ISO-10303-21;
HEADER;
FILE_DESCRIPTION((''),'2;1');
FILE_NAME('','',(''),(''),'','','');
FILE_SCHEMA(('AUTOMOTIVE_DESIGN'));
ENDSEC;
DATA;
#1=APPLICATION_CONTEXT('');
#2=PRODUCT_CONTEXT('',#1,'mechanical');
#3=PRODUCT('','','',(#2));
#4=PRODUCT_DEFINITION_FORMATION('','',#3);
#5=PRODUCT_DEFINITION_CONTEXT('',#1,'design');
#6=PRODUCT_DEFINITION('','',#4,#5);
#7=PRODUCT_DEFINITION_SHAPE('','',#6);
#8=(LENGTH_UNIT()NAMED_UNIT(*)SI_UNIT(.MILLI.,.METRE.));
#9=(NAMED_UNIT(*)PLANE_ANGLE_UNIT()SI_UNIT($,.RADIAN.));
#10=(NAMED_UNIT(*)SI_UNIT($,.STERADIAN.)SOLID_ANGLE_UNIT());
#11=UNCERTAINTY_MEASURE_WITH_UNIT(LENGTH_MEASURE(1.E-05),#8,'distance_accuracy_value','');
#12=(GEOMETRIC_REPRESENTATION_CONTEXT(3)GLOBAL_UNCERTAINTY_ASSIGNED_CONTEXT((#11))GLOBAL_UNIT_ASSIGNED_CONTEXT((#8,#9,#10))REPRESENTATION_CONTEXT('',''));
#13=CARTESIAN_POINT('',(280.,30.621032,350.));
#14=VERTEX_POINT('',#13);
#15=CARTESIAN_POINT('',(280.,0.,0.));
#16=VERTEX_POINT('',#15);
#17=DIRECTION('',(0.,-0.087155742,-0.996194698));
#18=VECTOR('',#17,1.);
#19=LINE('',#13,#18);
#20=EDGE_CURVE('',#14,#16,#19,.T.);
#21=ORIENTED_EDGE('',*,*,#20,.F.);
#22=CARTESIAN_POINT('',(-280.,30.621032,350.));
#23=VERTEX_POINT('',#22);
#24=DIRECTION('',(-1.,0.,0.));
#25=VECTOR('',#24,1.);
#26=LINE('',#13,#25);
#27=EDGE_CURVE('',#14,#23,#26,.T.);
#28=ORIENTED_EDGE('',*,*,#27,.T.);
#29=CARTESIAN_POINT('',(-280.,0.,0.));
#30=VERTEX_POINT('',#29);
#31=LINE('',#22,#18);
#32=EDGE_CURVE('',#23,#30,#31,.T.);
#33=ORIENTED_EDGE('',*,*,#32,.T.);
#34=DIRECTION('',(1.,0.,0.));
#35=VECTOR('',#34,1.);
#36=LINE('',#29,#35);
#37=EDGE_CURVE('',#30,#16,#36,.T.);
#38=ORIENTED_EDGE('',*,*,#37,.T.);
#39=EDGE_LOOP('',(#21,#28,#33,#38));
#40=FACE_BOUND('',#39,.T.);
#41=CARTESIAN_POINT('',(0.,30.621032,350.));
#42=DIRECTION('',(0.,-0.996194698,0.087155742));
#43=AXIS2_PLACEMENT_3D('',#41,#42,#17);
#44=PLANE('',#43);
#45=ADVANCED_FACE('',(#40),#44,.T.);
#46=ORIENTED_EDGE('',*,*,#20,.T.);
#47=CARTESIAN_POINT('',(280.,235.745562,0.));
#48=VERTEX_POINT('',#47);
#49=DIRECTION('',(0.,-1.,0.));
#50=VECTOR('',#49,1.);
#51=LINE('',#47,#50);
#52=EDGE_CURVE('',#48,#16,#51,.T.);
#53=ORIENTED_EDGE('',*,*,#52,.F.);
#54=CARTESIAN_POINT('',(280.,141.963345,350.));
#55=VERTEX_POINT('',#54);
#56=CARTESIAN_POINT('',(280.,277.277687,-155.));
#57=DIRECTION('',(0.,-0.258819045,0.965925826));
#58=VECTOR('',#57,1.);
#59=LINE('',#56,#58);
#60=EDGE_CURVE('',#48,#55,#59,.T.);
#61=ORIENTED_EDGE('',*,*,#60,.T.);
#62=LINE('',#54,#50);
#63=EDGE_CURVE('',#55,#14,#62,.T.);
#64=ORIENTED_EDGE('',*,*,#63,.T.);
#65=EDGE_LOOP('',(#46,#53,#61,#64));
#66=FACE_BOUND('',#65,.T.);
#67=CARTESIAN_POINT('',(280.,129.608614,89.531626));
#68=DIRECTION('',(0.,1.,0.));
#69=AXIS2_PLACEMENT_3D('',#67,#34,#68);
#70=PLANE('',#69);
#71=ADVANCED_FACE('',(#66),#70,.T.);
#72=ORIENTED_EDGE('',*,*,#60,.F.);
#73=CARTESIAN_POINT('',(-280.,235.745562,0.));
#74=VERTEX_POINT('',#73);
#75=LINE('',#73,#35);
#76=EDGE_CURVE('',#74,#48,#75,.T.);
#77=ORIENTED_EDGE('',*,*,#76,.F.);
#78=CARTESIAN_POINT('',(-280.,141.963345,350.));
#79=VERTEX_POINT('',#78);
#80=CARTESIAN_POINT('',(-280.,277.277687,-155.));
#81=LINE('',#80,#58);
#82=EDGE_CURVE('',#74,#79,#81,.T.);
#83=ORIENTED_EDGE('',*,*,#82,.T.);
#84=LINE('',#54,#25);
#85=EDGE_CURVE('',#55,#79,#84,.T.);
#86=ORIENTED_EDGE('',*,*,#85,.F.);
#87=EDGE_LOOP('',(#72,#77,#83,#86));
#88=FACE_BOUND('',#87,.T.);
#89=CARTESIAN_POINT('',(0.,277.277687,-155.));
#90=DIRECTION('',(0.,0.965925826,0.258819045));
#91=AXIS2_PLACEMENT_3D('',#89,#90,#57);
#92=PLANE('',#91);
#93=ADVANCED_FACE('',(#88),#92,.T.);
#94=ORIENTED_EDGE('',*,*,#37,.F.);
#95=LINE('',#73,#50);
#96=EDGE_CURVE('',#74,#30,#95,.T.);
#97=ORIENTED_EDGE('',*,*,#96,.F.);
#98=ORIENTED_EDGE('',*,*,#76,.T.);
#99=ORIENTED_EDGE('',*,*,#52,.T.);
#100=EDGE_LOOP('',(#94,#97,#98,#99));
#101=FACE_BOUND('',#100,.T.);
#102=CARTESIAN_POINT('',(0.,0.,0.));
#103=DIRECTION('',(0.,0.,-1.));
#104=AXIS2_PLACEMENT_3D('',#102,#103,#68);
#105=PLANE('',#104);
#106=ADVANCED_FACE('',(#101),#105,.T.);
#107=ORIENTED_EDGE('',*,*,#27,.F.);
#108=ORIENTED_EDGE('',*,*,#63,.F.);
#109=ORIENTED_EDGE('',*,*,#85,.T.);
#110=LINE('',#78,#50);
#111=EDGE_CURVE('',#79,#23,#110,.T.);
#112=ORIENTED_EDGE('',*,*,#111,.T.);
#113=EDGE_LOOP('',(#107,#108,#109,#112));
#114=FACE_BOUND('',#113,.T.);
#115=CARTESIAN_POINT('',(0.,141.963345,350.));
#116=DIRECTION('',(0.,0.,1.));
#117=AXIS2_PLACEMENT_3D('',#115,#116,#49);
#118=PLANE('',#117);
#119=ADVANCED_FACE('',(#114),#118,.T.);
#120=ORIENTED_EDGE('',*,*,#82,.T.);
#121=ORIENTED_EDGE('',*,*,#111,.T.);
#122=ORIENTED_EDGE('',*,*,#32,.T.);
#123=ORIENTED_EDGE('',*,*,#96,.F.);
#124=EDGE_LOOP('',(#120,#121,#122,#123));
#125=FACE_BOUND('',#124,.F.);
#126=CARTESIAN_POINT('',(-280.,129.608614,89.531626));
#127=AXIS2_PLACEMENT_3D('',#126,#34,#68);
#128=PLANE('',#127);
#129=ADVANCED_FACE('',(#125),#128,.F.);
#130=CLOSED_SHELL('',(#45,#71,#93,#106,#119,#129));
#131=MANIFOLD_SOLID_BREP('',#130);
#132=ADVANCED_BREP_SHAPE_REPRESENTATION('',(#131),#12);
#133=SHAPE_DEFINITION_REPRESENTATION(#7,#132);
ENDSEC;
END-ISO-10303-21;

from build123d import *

# Parameters (mm, degrees)
F1_DEPTH = 280
F3_DEPTH = 560.001


with BuildPart() as f1:
    # F0 (on Right) → F1 (new body, symmetric)
    with BuildSketch(Plane.YZ):
        Polygon((30.621032, 350), (0, 0), (100, 0), (172.277687, -155), (277.277687, -155), (141.963345, 350), align=None)
    extrude(amount=F1_DEPTH, both=True)

    # F2 (on face) → F3 (cut, through all)
    with BuildSketch(Plane(origin=(-280, 0, 0), x_dir=(0, -1, 0), z_dir=(-1, 0, 0))):
        Polygon((-172.277687, -155), (-100, 0), (-235.745562, 0), (-277.277687, -155), align=None)
    extrude(amount=-F3_DEPTH, mode=Mode.SUBTRACT)


solid = f1.part
